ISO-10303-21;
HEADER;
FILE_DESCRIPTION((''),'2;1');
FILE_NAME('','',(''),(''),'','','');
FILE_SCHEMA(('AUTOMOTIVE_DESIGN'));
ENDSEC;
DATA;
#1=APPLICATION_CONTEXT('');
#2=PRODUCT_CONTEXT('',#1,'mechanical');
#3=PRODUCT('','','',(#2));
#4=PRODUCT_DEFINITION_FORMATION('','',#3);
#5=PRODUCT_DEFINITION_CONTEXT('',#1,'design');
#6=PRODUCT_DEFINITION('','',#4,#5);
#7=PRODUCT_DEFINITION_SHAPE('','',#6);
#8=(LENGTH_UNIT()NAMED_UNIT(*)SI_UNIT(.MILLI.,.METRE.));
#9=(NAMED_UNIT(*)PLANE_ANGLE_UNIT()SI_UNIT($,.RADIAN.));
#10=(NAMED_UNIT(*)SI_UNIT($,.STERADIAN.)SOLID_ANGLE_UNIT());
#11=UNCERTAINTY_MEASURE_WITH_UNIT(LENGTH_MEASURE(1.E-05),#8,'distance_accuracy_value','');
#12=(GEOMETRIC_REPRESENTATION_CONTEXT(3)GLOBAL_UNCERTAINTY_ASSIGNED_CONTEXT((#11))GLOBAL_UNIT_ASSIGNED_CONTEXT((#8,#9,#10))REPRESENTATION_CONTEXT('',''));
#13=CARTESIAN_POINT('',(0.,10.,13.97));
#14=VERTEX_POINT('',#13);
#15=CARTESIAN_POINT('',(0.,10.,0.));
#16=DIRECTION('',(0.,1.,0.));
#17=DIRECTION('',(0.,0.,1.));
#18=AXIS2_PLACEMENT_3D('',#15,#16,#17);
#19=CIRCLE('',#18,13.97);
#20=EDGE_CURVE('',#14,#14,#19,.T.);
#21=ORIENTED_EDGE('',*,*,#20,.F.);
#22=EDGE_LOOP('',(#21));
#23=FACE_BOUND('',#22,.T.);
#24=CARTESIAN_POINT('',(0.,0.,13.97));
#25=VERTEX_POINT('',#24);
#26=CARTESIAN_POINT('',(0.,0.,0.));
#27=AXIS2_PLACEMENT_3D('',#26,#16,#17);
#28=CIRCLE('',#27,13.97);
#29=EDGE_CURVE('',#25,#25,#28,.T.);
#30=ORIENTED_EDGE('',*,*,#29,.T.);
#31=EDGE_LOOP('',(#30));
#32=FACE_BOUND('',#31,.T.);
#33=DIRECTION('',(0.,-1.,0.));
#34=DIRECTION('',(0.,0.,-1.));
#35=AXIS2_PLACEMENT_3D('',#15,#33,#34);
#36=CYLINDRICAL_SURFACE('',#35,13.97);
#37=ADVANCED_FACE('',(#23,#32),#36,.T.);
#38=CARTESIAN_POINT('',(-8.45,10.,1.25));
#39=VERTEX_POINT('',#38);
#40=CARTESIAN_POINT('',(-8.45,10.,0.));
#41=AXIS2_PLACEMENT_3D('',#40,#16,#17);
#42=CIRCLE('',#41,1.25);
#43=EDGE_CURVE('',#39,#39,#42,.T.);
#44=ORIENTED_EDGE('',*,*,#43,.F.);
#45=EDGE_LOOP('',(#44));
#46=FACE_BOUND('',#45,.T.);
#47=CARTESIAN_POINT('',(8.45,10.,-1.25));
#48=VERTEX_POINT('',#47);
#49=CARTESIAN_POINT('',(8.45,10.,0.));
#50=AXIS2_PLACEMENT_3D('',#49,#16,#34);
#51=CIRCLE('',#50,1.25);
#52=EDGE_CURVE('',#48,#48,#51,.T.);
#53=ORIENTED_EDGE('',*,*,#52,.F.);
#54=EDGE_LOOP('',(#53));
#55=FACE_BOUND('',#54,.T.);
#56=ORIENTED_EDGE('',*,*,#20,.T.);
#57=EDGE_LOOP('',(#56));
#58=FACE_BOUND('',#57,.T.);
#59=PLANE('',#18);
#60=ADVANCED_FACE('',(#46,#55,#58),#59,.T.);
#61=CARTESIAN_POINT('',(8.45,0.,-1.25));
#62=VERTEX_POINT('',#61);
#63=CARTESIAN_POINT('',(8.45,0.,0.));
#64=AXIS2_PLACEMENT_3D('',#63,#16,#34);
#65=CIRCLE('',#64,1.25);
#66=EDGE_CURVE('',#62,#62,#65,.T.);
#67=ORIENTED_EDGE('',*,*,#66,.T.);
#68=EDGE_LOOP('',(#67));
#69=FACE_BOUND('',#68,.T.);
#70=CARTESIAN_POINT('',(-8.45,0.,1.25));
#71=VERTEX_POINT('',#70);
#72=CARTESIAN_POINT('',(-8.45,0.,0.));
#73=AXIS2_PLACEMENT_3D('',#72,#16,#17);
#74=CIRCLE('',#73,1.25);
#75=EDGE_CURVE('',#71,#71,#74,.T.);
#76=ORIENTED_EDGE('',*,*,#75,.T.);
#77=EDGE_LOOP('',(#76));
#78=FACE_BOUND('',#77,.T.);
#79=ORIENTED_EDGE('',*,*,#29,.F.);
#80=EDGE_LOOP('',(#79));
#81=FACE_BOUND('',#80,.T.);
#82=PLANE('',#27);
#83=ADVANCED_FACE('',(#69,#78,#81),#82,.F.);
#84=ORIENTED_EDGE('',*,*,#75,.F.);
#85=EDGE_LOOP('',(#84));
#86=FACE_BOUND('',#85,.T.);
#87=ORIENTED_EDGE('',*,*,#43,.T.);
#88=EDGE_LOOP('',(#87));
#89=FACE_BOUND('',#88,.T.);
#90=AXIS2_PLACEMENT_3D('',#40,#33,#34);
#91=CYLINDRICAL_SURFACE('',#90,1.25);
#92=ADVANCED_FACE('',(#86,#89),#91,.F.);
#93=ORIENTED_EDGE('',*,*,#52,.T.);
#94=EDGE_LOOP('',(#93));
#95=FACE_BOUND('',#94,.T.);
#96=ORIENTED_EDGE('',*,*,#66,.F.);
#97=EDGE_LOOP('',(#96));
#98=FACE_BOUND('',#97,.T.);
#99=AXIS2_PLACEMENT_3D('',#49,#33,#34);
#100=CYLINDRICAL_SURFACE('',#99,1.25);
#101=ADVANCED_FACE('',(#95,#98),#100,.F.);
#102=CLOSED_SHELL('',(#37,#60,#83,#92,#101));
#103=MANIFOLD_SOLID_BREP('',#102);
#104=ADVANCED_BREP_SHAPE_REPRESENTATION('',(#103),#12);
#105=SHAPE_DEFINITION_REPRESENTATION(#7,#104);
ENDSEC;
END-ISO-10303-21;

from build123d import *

# Parameters (mm, degrees)
SKETCH1_R           = 13.97
SKETCH1_R_2         = 1.25
BOSS_EXTRUDE1_DEPTH = 10


with BuildPart() as part:
    # Sketch1 → Boss-Extrude1 (new body)
    with BuildSketch(Plane(origin=(0, 0, 0), x_dir=(1, 0, 0), z_dir=(0, 1, 0))):
        with Locations(Location((0, 0, 0), (0, 0, 270))):
            Circle(SKETCH1_R)
        with Locations(Location((-8.45, 0, 0), (0, 0, 270))):
            Circle(SKETCH1_R_2, mode=Mode.SUBTRACT)
        with Locations(Location((8.45, 0, 0), (0, 0, 90))):
            Circle(SKETCH1_R_2, mode=Mode.SUBTRACT)
    extrude(amount=BOSS_EXTRUDE1_DEPTH)


solid = part.part
